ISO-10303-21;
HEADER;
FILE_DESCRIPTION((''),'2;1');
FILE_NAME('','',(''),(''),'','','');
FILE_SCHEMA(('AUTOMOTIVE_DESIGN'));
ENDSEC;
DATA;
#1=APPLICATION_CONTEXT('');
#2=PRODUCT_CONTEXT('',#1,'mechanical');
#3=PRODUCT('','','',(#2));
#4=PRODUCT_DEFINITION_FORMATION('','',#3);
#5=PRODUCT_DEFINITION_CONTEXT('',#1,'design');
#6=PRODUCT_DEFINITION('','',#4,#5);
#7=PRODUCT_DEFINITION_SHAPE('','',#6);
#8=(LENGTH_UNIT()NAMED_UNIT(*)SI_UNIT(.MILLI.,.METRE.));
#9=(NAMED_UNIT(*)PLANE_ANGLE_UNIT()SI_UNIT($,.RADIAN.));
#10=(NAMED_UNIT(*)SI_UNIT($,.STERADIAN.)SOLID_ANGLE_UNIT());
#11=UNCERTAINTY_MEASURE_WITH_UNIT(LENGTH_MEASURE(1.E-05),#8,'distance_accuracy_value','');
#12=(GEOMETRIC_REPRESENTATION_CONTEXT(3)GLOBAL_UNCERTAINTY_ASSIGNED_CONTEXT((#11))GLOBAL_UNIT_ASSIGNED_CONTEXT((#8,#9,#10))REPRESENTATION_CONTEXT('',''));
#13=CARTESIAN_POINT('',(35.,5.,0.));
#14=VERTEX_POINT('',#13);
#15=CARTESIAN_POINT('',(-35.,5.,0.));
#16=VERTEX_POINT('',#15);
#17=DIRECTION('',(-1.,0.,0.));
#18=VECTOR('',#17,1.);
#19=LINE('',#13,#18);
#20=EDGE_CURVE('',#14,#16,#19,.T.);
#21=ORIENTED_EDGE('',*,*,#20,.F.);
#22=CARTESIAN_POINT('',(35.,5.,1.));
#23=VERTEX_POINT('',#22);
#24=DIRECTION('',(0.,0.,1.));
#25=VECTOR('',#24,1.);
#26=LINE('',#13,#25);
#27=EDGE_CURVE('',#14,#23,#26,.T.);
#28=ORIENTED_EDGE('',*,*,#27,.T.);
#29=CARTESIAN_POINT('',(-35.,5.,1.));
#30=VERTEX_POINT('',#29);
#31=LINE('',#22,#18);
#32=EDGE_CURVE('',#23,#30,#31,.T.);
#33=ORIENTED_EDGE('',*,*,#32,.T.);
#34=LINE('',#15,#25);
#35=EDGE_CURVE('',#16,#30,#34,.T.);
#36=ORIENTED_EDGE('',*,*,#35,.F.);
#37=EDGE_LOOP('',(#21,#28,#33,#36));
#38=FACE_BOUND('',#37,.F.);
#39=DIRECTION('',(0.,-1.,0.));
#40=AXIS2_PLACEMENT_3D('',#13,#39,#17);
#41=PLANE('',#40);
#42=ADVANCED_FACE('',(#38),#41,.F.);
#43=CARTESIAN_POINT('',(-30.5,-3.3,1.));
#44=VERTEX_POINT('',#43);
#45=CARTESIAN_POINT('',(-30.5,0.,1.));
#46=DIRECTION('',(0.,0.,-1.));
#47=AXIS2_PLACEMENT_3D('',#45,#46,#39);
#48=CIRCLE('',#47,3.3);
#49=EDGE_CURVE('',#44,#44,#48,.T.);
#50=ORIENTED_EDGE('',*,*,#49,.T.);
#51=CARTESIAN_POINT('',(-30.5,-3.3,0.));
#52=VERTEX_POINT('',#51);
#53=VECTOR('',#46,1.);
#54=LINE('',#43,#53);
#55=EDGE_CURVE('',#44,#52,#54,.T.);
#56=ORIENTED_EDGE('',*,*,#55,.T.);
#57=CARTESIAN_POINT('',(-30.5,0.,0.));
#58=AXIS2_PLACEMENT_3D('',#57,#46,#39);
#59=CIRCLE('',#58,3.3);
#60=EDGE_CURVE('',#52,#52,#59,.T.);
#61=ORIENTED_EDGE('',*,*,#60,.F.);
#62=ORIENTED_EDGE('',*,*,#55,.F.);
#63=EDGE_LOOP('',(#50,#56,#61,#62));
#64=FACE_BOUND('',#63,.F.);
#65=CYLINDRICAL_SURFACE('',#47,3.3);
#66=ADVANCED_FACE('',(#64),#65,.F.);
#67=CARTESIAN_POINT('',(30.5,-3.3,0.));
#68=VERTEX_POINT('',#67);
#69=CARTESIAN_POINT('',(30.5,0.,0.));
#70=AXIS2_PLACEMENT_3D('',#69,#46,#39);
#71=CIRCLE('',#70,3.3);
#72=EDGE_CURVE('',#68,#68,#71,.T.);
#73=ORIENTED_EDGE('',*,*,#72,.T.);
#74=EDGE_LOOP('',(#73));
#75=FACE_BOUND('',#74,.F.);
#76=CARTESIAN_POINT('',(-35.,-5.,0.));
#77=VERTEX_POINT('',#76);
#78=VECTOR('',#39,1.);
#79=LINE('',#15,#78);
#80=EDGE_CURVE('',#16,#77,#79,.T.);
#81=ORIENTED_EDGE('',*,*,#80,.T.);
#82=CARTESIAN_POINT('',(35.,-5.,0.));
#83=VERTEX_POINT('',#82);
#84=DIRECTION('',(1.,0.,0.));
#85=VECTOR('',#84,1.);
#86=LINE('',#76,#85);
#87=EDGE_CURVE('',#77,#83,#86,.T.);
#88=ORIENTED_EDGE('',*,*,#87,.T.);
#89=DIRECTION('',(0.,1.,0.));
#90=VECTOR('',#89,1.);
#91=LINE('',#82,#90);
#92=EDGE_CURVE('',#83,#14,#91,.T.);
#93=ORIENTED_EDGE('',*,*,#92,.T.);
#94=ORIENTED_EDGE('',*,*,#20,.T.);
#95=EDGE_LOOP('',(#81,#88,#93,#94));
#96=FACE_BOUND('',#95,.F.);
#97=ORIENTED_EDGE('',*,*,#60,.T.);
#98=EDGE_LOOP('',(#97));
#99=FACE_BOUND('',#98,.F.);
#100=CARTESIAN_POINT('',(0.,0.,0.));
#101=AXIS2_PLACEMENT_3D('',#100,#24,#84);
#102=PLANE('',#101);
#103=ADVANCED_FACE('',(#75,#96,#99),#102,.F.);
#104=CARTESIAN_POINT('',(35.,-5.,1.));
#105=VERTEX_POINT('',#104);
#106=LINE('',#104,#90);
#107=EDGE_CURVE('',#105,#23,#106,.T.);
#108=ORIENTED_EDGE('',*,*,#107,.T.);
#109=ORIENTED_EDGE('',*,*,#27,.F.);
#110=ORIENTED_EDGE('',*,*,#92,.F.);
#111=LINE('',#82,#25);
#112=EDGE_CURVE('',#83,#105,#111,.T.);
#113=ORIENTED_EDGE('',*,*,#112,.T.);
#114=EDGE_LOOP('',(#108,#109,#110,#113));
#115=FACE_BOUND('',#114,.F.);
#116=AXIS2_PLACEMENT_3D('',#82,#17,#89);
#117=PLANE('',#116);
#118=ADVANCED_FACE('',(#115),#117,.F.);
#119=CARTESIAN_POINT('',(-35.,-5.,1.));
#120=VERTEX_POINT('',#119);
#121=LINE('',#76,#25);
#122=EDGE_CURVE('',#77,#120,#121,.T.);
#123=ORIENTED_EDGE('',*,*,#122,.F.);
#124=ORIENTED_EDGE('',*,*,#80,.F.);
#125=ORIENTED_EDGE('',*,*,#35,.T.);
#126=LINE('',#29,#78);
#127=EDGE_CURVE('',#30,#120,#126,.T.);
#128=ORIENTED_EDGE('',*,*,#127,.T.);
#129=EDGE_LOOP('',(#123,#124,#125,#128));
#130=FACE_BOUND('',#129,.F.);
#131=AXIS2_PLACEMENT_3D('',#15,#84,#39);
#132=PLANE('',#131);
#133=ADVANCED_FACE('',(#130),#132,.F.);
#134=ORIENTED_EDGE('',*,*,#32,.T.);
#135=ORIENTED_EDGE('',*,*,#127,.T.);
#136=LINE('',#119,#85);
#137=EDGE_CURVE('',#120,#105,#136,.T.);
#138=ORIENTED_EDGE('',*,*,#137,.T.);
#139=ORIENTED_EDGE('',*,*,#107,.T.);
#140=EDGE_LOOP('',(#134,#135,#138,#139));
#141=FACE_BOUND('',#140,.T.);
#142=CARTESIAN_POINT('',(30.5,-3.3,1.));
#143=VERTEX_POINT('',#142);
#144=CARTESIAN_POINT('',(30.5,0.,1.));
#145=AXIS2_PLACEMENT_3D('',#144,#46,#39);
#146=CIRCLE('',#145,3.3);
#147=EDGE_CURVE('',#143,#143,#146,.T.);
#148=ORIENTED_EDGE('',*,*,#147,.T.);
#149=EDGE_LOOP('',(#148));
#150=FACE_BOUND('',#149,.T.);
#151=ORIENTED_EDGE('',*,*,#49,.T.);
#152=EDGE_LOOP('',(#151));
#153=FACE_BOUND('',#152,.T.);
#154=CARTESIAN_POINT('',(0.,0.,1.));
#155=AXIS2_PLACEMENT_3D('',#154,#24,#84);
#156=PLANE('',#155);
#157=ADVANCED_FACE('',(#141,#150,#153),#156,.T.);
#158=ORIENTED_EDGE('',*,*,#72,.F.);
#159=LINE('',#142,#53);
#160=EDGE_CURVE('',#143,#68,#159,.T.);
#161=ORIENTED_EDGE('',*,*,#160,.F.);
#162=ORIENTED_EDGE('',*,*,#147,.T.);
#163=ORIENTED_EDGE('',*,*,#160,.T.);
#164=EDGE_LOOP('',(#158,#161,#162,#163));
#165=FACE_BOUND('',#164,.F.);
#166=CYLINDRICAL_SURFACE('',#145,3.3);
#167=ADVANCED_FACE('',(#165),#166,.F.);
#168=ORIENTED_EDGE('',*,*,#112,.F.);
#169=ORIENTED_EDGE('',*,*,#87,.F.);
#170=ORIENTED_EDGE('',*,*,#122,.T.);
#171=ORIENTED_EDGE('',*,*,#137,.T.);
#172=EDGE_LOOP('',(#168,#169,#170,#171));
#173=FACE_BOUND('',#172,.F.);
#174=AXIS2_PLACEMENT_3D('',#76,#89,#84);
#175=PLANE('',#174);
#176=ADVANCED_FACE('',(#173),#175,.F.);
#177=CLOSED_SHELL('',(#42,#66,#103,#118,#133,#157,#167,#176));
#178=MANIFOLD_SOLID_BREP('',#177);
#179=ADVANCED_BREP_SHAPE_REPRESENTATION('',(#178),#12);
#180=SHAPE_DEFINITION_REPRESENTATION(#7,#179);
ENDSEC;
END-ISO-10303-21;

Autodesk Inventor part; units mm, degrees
ref_plane "YZ Plane" through (0, 0, 0) normal (1, 0, 0) x (0, 1, 0)
ref_plane "XZ Plane" through (0, 0, 0) normal (0, 1, 0) x (-1, 0, 0)
ref_plane "XY Plane" through (0, 0, 0) normal (0, 0, 1) x (1, 0, 0)
sketch "Sketch1" plane through (0, 0, 0) normal (0, 0, 1) x (1, 0, 0)
  line L0 (-35, -5) -> (35, -5)
  line L1 (35, -5) -> (35, 5)
  line L2 (35, 5) -> (-35, 5)
  line L3 (-35, 5) -> (-35, -5)
  line L4 (-35, -5) -> (35, 5) construction
  line L5 (35, -5) -> (-35, 5) construction
  point P0 (0, 0)
  dimension "d0" = 70
  dimension "d1" = 10
extrude "Extrusion1" add sketch "Sketch1" along normal blind 1
sketch "Sketch2" plane through (0, 0, 1) normal (0, 0, 1) x (1, 0, 0)
  line L0 (-30.5, 0) -> (30.5, 0) construction
  point P0 (0, 0)
  point P1 (0, 0)
  dimension "d4" = 61
hole "Hole1" at (-30.5, 0, 1) at (30.5, 0, 1) direction (0, 0, -1) diameter 6.6 depth 8 tip angle 118 clearance for "Countersunk Flat Head Screw DIN EN ISO 2009" size "M6" standard "DIN"
properties part number "Cap_CU_Oben" material "Copper"
